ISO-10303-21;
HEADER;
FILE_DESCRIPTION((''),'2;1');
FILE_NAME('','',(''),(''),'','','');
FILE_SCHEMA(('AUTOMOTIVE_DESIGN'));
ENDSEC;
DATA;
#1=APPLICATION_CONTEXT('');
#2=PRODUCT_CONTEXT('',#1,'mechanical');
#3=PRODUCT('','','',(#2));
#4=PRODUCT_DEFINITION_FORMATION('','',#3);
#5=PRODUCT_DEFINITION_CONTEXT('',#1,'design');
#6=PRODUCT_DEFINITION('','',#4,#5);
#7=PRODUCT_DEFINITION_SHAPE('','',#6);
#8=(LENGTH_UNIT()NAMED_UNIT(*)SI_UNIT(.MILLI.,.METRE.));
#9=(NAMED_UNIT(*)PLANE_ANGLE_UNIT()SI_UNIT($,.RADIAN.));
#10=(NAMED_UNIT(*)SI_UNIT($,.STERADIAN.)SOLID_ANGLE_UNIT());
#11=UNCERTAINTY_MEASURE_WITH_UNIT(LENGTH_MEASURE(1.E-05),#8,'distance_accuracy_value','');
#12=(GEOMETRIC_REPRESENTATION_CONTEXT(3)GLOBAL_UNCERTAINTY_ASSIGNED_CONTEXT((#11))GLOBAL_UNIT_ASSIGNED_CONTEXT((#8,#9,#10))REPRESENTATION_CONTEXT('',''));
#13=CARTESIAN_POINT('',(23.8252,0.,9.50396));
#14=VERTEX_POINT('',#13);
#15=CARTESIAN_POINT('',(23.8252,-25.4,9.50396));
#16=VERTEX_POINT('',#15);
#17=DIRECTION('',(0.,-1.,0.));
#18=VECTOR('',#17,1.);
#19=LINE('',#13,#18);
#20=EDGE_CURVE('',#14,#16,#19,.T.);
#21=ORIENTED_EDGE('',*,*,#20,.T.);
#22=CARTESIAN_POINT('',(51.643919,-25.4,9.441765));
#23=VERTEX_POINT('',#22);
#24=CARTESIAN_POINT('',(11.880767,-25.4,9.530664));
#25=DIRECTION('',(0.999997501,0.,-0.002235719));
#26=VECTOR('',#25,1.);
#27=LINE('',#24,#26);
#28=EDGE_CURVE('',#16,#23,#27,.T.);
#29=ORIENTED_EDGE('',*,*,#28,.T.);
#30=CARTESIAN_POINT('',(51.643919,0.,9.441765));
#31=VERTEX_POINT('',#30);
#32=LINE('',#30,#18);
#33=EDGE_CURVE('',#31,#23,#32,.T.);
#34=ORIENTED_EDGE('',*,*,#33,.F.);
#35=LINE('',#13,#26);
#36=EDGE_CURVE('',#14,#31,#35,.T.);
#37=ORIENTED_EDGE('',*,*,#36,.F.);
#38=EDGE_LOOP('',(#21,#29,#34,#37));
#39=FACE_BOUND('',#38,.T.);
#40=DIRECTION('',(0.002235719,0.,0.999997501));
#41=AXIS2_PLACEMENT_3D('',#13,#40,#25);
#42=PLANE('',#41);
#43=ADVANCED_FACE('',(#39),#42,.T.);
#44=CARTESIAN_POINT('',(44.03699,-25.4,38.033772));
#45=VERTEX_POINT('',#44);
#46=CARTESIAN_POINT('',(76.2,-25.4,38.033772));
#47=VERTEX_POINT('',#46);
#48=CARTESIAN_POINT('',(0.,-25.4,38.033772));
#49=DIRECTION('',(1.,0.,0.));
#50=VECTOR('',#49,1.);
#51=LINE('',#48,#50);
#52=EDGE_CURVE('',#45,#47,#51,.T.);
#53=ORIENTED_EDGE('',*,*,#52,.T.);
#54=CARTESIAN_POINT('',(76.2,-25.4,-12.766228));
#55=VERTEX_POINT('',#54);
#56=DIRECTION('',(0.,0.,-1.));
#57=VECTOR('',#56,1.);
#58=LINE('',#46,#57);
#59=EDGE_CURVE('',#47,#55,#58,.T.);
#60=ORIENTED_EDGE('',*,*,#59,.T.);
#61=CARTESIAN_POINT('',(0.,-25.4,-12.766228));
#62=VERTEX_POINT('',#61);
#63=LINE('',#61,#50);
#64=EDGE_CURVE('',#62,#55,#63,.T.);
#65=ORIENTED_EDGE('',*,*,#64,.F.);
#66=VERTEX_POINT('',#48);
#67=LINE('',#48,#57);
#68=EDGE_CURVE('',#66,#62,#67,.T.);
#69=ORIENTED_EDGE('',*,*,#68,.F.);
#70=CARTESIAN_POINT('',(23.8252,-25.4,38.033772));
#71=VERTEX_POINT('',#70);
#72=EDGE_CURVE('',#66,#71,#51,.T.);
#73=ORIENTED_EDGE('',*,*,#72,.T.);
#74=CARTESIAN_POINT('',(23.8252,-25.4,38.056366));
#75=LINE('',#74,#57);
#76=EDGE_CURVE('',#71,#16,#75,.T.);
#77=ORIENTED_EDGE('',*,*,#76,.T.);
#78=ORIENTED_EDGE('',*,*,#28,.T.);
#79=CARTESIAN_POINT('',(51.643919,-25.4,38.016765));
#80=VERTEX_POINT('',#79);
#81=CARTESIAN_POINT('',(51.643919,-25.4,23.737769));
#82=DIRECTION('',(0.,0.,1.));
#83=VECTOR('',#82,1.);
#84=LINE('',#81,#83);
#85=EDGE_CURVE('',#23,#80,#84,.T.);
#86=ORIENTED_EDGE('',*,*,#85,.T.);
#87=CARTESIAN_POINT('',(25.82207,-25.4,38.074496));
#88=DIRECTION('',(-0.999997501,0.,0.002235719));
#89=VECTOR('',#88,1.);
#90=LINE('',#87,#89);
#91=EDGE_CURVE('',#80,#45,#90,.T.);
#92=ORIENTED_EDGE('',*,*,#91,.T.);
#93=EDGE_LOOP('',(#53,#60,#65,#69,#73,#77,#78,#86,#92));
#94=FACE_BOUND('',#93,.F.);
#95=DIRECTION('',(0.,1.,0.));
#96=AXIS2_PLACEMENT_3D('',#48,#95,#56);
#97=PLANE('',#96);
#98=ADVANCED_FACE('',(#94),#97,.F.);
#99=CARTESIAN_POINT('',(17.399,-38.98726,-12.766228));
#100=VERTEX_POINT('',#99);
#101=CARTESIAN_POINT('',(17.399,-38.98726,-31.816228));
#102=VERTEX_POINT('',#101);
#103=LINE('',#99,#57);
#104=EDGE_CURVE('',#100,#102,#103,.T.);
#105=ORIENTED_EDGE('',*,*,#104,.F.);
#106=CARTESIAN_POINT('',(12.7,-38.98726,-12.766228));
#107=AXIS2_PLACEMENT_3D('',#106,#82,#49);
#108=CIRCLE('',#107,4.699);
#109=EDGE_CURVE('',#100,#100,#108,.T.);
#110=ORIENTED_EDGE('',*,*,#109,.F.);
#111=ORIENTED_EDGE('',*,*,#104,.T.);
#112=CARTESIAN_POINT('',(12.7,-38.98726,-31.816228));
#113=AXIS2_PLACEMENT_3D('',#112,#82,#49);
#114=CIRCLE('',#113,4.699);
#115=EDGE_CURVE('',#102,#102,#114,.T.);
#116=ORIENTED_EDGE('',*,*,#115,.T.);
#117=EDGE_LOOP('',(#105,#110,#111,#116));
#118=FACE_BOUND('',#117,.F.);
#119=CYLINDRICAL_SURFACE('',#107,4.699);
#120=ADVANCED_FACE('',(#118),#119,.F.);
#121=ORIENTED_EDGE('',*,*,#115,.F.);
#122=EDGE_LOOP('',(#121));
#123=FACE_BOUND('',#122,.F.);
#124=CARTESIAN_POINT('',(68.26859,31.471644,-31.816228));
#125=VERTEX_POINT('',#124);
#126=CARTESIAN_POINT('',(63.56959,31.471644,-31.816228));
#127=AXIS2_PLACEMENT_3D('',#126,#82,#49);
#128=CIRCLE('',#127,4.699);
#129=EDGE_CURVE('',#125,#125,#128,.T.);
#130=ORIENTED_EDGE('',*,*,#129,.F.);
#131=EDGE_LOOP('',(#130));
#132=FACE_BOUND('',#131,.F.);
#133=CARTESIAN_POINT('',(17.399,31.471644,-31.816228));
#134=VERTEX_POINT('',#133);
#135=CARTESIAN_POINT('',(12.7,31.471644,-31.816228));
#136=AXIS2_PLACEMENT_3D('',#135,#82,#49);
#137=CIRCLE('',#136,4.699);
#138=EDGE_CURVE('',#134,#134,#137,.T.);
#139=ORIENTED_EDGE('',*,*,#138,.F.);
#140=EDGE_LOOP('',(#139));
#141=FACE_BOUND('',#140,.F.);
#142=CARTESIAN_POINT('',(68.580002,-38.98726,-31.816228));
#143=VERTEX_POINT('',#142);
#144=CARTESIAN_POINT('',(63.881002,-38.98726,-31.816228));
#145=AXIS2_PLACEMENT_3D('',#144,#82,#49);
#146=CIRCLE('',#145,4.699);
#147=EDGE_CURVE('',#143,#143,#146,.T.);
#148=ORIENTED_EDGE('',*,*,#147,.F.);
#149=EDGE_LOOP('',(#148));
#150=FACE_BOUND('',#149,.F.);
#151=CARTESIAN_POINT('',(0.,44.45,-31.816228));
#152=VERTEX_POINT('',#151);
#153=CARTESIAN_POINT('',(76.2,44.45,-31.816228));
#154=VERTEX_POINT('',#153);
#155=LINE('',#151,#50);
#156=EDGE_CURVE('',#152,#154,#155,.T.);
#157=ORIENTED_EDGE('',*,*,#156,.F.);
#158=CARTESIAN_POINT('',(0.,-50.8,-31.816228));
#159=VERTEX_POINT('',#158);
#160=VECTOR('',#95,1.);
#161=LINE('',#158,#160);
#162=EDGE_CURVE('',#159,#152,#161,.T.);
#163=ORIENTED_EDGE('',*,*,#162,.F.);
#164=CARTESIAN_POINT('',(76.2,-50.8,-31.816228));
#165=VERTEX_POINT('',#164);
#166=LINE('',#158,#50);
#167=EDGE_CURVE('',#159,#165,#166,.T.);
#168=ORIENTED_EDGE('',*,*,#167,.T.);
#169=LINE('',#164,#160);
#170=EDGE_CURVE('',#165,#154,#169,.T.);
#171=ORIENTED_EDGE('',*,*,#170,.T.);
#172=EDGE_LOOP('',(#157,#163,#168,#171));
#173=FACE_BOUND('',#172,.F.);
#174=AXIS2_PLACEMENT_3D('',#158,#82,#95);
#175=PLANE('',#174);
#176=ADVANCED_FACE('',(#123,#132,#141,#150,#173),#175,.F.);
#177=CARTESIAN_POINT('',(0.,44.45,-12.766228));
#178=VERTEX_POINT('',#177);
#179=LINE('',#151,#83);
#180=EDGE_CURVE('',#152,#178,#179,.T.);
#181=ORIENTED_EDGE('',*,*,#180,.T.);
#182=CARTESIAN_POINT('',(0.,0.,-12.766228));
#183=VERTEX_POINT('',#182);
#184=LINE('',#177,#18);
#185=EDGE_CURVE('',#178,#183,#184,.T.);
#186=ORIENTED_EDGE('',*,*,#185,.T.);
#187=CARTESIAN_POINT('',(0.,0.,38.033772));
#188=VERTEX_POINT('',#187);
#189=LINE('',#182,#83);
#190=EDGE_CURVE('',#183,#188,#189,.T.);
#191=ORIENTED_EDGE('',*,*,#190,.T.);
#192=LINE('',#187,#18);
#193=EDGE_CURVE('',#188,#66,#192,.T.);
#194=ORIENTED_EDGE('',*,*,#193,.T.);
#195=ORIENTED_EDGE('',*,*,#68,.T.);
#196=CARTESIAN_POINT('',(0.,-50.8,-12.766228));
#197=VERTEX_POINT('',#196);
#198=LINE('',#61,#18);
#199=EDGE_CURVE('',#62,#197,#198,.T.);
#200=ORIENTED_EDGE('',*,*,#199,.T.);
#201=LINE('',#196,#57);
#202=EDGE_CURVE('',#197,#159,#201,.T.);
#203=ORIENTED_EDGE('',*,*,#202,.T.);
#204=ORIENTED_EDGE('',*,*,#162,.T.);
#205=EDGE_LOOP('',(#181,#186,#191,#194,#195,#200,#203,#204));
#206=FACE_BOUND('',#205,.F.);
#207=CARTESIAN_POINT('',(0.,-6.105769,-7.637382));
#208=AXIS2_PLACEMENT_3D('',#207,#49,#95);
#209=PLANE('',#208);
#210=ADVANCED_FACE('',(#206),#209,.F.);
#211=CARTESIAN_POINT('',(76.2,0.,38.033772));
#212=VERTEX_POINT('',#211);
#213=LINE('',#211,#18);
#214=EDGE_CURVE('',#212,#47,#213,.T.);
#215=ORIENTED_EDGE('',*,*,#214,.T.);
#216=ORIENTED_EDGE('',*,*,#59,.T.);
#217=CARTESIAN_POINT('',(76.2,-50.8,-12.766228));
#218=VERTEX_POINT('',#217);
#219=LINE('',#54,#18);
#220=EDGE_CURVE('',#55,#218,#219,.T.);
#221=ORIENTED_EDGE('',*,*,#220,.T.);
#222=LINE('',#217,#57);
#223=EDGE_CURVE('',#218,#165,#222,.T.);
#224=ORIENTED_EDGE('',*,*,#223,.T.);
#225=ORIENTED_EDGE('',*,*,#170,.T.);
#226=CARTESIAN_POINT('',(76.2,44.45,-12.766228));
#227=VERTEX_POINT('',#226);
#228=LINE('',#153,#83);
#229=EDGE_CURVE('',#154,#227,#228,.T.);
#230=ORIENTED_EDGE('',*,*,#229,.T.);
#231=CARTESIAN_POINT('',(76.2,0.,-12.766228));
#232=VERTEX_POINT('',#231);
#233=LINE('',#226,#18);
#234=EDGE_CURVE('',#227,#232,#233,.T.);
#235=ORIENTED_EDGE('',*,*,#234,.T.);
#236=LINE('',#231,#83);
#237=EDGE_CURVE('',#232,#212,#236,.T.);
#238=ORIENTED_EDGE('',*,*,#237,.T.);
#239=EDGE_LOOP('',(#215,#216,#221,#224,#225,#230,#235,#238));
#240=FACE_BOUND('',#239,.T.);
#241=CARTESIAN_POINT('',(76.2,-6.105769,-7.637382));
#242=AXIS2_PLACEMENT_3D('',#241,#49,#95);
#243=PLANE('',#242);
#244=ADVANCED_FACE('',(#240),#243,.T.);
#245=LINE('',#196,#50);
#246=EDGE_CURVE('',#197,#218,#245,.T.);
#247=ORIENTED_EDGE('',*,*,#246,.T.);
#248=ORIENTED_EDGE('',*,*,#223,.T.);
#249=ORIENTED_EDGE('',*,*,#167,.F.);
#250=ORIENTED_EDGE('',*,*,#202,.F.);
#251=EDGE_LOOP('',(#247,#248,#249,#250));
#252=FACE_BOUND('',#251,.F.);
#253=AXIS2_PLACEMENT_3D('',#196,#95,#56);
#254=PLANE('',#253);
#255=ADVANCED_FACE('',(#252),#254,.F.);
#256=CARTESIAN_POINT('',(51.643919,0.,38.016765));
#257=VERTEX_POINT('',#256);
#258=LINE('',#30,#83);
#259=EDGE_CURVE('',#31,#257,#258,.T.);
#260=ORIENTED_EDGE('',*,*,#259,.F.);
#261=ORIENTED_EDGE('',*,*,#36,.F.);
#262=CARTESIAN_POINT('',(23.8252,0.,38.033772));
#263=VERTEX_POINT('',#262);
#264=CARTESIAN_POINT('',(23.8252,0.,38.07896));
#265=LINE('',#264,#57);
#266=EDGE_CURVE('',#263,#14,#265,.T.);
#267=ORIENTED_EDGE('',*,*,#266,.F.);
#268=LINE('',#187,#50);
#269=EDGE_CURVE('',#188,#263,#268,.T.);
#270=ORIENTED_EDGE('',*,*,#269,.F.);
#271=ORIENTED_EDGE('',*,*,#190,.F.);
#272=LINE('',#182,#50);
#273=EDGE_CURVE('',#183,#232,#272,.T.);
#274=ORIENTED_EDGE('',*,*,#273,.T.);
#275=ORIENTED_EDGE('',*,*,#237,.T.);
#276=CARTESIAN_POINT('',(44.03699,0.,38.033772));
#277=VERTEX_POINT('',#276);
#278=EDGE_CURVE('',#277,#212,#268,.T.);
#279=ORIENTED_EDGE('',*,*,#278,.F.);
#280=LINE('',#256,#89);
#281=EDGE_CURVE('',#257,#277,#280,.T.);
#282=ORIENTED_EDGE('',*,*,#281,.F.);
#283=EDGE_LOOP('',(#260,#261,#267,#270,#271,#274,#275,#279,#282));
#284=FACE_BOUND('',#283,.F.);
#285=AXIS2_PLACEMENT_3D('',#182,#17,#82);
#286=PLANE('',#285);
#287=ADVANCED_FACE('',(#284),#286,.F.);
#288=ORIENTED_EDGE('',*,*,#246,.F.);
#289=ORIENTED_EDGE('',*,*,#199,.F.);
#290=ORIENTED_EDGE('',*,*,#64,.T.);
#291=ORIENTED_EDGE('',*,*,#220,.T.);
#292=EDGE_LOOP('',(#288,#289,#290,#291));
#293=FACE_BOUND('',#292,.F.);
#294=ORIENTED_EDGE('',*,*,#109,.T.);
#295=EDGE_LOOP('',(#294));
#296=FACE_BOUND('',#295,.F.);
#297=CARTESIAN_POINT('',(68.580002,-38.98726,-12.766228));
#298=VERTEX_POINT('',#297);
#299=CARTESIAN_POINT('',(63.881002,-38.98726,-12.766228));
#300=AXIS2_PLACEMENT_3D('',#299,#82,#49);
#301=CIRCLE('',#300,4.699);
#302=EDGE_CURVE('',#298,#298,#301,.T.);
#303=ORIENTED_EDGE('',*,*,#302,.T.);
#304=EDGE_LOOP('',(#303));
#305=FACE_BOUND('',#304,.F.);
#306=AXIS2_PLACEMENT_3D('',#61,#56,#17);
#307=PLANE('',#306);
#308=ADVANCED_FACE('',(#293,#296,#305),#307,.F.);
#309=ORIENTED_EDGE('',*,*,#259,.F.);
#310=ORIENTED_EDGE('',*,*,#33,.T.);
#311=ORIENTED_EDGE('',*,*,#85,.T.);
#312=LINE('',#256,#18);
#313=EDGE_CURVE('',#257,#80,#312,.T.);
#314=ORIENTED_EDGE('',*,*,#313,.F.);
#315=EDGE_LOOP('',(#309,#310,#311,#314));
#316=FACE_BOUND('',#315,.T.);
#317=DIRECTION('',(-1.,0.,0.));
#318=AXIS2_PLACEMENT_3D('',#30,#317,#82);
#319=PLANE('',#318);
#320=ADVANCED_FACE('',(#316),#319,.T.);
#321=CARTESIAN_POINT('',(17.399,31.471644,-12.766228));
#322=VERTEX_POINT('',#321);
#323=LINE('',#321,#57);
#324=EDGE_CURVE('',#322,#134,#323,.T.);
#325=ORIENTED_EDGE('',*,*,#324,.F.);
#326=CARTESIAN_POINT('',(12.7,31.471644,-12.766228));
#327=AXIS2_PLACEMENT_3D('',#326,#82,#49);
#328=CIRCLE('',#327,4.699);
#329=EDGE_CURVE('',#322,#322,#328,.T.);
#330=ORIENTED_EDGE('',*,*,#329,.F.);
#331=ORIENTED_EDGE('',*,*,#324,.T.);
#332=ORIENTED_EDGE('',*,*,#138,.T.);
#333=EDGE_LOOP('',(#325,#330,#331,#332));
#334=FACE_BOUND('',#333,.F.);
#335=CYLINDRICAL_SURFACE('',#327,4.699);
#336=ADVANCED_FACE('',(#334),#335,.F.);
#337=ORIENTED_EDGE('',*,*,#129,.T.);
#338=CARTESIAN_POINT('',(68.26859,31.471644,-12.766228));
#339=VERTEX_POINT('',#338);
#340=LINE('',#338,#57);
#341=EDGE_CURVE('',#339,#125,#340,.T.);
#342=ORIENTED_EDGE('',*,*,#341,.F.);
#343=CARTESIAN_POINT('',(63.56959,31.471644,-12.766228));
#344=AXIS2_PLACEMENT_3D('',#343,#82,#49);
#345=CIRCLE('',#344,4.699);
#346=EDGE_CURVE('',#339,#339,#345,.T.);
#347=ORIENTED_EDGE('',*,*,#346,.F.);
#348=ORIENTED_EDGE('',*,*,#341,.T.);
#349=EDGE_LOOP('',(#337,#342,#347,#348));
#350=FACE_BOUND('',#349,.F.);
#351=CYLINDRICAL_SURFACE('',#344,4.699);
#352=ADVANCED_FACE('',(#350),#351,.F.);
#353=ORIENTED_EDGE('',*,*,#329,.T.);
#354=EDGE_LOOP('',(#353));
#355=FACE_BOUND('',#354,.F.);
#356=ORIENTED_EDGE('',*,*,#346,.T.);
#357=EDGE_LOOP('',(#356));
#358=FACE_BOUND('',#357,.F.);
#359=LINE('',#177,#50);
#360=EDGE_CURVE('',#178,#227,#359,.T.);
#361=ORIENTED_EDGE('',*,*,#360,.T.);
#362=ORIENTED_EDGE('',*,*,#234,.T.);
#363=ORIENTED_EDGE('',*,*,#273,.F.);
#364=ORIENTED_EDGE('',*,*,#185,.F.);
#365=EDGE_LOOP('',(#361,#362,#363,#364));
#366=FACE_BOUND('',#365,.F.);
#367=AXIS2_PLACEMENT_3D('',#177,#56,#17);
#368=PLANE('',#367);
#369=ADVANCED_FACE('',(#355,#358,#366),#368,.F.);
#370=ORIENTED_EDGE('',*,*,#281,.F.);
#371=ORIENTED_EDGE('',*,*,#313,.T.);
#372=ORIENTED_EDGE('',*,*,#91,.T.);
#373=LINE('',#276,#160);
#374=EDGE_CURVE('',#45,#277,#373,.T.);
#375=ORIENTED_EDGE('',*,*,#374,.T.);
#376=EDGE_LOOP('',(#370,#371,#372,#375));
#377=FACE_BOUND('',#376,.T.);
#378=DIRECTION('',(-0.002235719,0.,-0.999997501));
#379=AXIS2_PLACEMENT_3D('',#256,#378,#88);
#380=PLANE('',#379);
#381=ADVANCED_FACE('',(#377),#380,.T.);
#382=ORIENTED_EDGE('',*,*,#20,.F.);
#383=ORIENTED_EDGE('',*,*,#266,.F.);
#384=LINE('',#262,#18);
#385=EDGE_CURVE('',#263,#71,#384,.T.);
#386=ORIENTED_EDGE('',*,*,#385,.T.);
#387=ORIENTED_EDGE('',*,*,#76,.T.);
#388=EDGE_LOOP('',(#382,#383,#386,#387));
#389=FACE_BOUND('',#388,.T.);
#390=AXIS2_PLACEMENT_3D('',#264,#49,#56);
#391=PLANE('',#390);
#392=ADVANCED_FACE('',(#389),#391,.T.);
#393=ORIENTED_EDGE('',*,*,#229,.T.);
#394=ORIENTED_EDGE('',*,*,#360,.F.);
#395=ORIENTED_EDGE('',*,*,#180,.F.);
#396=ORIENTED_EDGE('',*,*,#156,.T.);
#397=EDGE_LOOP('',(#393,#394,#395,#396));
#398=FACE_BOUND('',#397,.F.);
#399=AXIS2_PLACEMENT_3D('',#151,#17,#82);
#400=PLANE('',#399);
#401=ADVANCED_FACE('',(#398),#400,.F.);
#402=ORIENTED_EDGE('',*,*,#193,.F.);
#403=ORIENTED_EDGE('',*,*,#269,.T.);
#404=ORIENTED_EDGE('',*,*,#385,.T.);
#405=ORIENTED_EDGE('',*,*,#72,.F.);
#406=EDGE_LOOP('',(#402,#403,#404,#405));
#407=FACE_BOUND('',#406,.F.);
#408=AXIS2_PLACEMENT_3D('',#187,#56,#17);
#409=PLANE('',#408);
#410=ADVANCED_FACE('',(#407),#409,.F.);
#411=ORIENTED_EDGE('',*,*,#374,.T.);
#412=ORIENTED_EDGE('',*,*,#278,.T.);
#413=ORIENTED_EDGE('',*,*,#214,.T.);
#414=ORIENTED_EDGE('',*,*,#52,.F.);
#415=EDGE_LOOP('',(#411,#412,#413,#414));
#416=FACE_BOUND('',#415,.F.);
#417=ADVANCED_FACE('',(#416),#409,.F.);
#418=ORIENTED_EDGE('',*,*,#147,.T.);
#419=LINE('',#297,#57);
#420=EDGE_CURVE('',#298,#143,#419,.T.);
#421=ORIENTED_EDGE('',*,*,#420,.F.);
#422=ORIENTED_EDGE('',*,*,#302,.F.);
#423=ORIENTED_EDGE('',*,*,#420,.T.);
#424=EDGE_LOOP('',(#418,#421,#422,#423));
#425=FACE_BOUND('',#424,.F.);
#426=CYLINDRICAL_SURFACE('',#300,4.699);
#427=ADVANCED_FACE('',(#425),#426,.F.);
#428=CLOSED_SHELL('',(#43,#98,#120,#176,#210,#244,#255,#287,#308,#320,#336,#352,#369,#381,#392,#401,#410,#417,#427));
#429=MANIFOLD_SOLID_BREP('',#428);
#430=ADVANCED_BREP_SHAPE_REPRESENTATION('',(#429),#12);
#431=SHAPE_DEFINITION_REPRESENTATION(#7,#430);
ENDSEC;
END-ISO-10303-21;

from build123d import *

# Parameters (mm, degrees)
F1_DEPTH = 76.2
F3_R     = 4.699
F4_DEPTH = 19.05
F5_DEPTH = 26.162


with BuildPart() as f1:
    # F0 (on Right) → F1 (new body)
    with BuildSketch(Plane.YZ):
        Polygon((-50.8, -31.816228), (44.45, -31.816228), (44.45, -12.766228), (0, -12.766228), (0, 38.033772), (-25.4, 38.033772), (-25.4, -12.766228), (-50.8, -12.766228), align=None)
    extrude(amount=F1_DEPTH)

    # F3 (on face) → F4 (cut)
    with BuildSketch(Plane.XY.offset(-12.766228)):
        with Locations((63.56959, 31.471644)):
            Circle(F3_R)
        with Locations((12.7, 31.471644)):
            Circle(F3_R)
        with Locations((12.7, -38.98726)):
            Circle(F3_R)
        with Locations((63.881002, -38.98726)):
            Circle(F3_R)
    extrude(amount=-F4_DEPTH, mode=Mode.SUBTRACT)

    # F2 (on Front) → F5 (cut)
    with BuildSketch(Plane.XZ):
        Polygon((51.643919, 9.441765), (51.643919, 38.016765), (23.8252, 38.07896), (23.8252, 9.50396), align=None)
    extrude(amount=F5_DEPTH, mode=Mode.SUBTRACT)


solid = f1.part
